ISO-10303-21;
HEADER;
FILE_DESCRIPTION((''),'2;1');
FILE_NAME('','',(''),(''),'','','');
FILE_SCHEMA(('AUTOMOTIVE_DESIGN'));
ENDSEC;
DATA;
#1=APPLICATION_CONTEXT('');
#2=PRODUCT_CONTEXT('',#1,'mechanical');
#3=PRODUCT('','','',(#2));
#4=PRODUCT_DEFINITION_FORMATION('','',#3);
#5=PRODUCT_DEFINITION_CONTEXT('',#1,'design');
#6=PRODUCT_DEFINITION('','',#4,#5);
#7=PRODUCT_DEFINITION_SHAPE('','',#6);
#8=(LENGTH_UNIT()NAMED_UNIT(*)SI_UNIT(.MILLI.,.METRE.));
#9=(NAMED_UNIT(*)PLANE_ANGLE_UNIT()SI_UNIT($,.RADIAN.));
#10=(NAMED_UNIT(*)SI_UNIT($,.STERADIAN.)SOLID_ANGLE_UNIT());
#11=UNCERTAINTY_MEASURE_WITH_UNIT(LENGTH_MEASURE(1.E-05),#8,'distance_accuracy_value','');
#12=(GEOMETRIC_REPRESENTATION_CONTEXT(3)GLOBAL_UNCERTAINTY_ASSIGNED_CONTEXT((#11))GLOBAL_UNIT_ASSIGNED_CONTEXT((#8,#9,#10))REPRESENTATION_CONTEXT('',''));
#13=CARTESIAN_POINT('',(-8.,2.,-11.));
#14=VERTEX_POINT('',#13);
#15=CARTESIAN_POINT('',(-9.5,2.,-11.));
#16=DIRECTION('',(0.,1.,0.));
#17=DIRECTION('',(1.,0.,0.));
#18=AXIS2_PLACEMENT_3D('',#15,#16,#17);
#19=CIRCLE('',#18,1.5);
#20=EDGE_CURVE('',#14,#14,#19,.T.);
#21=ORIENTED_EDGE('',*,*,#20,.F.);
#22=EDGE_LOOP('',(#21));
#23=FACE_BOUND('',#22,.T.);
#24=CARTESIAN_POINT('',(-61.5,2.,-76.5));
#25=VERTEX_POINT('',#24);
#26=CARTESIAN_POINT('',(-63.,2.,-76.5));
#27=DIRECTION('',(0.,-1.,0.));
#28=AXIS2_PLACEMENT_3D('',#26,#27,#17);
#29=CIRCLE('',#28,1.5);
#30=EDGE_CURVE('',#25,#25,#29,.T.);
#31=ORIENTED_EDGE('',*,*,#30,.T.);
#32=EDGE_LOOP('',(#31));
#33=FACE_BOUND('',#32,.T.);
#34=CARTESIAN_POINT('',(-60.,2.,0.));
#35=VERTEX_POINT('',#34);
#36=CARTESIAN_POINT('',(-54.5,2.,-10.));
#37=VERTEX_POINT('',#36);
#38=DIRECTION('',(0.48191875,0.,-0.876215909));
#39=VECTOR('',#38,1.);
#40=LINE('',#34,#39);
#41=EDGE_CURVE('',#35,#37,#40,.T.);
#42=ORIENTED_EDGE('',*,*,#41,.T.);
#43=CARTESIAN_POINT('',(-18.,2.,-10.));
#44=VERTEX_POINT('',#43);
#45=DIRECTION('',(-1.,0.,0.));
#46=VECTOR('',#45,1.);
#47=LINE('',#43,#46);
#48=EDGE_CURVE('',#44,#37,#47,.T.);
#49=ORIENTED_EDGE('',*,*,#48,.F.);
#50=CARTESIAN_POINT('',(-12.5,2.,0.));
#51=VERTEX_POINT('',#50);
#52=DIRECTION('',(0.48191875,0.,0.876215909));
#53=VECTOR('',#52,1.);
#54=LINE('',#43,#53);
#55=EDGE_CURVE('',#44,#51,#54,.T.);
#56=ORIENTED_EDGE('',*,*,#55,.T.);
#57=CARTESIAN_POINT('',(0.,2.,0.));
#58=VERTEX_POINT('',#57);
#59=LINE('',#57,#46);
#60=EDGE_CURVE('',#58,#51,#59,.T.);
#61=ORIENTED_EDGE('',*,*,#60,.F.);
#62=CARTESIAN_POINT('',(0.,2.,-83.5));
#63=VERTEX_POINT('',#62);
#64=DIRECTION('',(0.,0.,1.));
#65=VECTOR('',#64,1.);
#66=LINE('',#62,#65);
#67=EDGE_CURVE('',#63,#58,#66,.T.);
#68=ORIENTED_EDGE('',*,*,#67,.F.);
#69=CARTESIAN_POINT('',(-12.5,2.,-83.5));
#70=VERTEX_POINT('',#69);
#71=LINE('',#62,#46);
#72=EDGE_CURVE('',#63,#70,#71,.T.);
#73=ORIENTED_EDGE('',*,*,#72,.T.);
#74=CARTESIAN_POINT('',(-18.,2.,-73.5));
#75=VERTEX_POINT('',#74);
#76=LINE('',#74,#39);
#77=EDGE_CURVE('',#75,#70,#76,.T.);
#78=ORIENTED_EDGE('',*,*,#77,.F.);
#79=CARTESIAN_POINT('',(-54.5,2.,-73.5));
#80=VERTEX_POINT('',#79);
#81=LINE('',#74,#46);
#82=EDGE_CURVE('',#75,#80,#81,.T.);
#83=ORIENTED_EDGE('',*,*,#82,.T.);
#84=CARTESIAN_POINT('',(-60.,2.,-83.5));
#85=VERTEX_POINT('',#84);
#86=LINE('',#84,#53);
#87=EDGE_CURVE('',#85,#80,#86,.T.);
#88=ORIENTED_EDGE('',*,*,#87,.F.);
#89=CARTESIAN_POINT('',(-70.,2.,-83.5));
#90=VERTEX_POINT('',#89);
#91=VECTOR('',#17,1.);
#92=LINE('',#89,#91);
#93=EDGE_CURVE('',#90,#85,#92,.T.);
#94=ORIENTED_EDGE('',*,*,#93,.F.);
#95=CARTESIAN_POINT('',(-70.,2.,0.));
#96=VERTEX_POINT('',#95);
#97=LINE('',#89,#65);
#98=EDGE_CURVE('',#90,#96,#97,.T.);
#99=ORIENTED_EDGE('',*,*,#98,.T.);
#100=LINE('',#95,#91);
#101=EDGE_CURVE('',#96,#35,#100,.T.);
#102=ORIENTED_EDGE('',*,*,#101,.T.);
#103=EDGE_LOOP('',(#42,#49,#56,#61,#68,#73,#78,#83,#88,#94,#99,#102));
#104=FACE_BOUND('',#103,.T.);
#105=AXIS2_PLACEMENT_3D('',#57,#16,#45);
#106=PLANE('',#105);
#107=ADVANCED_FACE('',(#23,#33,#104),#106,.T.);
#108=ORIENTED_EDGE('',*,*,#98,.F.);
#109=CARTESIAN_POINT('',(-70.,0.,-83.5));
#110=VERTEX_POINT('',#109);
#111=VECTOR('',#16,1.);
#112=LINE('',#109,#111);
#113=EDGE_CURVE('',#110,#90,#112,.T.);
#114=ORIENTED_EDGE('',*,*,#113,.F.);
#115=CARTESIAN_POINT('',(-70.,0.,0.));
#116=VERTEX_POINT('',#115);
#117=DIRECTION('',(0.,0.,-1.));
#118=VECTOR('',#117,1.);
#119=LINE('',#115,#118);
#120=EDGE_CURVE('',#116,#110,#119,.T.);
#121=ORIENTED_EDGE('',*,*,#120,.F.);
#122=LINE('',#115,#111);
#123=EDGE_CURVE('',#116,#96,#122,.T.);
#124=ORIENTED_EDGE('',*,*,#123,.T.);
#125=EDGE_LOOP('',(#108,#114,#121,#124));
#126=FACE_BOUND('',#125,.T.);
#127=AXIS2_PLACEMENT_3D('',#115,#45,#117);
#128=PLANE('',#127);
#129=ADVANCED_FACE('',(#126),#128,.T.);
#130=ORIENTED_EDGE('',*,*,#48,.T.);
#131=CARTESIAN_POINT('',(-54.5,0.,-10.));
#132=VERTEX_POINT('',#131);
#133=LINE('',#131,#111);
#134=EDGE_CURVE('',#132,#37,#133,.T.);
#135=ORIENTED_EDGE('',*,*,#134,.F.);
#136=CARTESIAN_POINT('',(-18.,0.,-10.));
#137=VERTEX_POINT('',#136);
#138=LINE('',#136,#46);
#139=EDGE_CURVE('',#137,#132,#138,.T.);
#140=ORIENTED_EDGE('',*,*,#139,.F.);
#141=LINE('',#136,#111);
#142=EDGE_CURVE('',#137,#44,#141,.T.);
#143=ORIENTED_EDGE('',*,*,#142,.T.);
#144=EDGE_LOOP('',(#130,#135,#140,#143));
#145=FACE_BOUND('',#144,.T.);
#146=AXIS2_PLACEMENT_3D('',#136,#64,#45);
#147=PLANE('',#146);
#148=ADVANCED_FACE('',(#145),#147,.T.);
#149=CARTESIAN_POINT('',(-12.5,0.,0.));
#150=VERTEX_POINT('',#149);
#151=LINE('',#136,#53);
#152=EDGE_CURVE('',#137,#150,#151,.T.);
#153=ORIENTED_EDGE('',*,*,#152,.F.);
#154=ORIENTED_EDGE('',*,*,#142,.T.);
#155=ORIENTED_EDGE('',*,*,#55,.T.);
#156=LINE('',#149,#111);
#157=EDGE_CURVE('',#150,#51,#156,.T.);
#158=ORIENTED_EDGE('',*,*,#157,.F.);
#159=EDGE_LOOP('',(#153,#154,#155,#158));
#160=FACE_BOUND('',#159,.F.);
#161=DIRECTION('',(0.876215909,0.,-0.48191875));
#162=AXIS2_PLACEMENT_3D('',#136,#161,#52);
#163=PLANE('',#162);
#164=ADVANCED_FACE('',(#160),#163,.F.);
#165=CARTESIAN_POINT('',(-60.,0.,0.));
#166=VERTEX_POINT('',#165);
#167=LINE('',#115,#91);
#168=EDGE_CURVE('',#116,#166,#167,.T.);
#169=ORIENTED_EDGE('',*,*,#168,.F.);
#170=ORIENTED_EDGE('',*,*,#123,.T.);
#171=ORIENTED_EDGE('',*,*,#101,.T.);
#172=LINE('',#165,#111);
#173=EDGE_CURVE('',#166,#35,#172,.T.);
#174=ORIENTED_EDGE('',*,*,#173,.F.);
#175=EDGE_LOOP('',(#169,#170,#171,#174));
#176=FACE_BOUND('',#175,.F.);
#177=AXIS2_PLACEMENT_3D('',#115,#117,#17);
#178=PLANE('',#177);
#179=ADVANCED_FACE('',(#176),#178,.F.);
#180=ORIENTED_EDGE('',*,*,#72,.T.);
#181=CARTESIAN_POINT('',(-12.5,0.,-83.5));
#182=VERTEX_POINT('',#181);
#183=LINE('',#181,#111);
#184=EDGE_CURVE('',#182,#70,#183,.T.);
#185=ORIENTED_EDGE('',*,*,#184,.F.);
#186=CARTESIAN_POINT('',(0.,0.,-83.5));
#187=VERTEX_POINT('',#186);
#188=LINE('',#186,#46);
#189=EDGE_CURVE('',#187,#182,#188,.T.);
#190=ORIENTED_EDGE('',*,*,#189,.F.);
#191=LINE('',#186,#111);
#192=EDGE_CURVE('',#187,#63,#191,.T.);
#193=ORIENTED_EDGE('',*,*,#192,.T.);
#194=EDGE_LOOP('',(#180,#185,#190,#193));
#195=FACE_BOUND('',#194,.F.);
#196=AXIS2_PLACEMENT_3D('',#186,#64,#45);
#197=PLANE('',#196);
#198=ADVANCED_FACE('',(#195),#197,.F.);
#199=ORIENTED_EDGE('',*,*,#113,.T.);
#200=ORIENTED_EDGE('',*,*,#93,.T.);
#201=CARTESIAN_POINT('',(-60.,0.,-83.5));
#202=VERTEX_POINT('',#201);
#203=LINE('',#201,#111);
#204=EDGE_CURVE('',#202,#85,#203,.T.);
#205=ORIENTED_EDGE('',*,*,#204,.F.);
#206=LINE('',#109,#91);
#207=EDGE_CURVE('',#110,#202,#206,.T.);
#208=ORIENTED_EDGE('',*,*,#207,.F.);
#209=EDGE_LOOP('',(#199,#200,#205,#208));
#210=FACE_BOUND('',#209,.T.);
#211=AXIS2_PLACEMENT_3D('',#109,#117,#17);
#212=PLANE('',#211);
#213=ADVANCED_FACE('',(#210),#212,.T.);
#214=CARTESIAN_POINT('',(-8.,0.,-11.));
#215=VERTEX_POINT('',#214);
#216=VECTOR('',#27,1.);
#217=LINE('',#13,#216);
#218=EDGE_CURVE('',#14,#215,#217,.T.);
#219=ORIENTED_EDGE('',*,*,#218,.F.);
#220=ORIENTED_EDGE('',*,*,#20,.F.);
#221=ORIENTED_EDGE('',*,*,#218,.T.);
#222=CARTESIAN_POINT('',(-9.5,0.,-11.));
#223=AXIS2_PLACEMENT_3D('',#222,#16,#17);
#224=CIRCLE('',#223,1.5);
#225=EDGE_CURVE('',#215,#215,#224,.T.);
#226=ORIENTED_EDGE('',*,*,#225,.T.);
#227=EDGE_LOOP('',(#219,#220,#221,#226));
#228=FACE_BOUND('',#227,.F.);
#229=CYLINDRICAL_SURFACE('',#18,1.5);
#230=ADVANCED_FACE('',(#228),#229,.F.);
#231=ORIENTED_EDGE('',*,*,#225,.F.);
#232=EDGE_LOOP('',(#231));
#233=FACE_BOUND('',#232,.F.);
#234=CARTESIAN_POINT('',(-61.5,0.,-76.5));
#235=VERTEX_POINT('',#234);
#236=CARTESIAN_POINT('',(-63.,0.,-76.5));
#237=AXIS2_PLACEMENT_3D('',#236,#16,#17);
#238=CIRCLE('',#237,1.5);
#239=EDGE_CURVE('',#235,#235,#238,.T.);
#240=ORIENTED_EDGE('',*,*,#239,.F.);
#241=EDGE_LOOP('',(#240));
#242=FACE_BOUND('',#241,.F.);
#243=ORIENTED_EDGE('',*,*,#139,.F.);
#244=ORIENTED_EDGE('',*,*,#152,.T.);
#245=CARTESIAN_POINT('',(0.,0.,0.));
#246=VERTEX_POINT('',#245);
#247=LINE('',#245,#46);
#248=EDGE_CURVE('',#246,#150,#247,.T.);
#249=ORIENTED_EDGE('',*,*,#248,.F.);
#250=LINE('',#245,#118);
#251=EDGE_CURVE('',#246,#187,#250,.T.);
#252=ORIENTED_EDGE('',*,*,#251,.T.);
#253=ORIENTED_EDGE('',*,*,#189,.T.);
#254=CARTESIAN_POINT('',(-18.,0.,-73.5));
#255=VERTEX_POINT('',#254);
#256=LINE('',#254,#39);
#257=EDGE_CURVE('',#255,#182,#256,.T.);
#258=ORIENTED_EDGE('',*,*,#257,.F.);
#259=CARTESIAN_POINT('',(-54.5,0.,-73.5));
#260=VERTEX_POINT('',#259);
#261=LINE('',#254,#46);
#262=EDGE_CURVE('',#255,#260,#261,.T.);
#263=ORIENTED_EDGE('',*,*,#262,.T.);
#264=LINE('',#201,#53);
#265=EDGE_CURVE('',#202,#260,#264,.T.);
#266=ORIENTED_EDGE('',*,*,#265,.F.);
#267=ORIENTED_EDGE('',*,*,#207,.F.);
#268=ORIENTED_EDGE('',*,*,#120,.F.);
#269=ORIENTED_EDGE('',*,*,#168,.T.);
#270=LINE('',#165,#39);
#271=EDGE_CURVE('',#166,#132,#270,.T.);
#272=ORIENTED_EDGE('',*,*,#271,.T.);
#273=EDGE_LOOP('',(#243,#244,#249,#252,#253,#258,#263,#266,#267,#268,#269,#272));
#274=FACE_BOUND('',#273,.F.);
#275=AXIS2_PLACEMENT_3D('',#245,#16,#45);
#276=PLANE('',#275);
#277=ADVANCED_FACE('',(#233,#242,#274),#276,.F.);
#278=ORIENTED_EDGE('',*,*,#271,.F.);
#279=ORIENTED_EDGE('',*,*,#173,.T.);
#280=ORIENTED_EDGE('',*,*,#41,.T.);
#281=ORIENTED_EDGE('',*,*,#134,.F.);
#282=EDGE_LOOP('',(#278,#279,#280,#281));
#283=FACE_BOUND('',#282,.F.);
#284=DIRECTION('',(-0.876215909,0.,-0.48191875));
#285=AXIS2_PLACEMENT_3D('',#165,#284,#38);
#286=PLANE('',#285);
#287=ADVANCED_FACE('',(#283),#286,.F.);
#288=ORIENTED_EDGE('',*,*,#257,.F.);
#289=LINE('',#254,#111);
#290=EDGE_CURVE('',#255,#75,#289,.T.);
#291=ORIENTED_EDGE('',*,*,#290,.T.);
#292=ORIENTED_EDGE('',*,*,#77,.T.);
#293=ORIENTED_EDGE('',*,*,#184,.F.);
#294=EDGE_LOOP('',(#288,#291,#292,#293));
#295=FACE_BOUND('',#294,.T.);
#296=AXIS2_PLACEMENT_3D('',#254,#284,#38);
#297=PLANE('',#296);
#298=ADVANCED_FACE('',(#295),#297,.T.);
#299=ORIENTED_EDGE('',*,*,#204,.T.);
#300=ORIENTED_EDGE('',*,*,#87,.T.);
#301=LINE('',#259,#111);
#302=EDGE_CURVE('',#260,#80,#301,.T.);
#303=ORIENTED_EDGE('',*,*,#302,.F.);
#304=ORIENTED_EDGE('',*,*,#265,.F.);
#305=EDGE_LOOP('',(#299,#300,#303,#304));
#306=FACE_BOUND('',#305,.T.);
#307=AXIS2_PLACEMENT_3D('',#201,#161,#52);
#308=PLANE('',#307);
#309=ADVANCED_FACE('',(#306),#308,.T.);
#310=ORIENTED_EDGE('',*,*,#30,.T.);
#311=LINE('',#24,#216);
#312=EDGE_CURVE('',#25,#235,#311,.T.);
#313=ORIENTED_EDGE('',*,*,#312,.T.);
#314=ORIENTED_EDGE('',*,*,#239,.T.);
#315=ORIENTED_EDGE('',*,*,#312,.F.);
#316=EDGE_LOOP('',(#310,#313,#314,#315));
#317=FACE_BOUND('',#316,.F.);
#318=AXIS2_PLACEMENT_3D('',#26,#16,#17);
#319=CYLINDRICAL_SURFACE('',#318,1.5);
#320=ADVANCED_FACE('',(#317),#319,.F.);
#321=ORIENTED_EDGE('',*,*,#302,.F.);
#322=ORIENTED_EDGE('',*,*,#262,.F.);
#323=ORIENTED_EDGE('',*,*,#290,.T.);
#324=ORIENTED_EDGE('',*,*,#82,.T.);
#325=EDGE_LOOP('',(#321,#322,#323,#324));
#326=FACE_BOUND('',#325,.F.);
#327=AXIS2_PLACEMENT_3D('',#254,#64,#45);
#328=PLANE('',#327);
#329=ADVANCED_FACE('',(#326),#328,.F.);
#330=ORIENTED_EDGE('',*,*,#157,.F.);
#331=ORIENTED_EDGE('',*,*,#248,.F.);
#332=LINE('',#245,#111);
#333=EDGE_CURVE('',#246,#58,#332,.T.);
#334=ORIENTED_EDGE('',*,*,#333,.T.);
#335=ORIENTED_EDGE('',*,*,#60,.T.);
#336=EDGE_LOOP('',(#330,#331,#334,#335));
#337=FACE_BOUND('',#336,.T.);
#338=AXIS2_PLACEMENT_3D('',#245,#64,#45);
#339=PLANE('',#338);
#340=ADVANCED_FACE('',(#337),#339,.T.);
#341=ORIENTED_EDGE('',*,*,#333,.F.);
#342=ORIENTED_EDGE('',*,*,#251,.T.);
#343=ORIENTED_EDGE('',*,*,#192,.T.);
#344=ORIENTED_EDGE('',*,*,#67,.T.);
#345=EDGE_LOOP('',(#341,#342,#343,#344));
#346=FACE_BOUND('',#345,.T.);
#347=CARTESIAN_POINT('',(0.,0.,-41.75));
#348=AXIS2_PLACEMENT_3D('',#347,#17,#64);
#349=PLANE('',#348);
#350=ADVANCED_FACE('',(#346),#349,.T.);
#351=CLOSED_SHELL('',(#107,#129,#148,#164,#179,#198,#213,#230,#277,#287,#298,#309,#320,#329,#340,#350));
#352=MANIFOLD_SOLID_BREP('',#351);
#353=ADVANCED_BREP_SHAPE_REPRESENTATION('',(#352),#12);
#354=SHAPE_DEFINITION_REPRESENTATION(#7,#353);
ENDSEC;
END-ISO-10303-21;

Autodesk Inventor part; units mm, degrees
ref_plane "YZ Plane" through (0, 0, 0) normal (1, 0, 0) x (0, 1, 0)
ref_plane "XZ Plane" through (0, 0, 0) normal (0, 1, 0) x (-1, 0, 0)
ref_plane "XY Plane" through (0, 0, 0) normal (0, 0, 1) x (1, 0, 0)
sketch "Sketch1" plane through (0, 0, 0) normal (0, 1, 0) x (-1, 0, 0)
  line L0 (0, -41.75) -> (0, -83.5)
  line L1 (0, -83.5) -> (12.5, -83.5)
  line L2 (18, -73.5) -> (54.5, -73.5)
  line L3 (70, -83.5) -> (70, -41.75)
  line L4 (70, -83.5) -> (60, -83.5)
  line L5 (60, -83.5) -> (54.5, -73.5)
  line L6 (18, -73.5) -> (12.5, -83.5)
  line L7 (0, -41.75) -> (0, 0)
  line L8 (0, 0) -> (12.5, 0)
  line L9 (18, -10) -> (54.5, -10)
  line L10 (70, 0) -> (70, -41.75)
  line L11 (70, 0) -> (60, 0)
  line L12 (60, 0) -> (54.5, -10)
  line L13 (18, -10) -> (12.5, 0)
extrude "Extrusion1" add sketch "Sketch1" along normal blind 2
sketch "Sketch3" plane through (0, 2, 0) normal (0, 1, 0) x (1, 0, 0)
  circle A0 centre (-9.5, 11) radius 1.5
  line L0 (-60, 83.5) -> (-70, 83.5) projected
  line L1 (-70, 83.5) -> (-63, 83.5)
  line L2 (-70, 83.5) -> (-63, 83.5)
  line L3 (-70, 83.5) -> (-63, 83.5)
  line L4 (-63, 83.5) -> (-63, 76.5)
  circle A1 centre (-63, 76.5) radius 1.5
  point P0 (0, 0)
  dimension "d10" = 3
  dimension "d11" = 7
  dimension "d12" = 7
  dimension "d13" = 3
extrude "Extrusion2" cut sketch "Sketch3" against normal blind 10
properties part number "plytka"
